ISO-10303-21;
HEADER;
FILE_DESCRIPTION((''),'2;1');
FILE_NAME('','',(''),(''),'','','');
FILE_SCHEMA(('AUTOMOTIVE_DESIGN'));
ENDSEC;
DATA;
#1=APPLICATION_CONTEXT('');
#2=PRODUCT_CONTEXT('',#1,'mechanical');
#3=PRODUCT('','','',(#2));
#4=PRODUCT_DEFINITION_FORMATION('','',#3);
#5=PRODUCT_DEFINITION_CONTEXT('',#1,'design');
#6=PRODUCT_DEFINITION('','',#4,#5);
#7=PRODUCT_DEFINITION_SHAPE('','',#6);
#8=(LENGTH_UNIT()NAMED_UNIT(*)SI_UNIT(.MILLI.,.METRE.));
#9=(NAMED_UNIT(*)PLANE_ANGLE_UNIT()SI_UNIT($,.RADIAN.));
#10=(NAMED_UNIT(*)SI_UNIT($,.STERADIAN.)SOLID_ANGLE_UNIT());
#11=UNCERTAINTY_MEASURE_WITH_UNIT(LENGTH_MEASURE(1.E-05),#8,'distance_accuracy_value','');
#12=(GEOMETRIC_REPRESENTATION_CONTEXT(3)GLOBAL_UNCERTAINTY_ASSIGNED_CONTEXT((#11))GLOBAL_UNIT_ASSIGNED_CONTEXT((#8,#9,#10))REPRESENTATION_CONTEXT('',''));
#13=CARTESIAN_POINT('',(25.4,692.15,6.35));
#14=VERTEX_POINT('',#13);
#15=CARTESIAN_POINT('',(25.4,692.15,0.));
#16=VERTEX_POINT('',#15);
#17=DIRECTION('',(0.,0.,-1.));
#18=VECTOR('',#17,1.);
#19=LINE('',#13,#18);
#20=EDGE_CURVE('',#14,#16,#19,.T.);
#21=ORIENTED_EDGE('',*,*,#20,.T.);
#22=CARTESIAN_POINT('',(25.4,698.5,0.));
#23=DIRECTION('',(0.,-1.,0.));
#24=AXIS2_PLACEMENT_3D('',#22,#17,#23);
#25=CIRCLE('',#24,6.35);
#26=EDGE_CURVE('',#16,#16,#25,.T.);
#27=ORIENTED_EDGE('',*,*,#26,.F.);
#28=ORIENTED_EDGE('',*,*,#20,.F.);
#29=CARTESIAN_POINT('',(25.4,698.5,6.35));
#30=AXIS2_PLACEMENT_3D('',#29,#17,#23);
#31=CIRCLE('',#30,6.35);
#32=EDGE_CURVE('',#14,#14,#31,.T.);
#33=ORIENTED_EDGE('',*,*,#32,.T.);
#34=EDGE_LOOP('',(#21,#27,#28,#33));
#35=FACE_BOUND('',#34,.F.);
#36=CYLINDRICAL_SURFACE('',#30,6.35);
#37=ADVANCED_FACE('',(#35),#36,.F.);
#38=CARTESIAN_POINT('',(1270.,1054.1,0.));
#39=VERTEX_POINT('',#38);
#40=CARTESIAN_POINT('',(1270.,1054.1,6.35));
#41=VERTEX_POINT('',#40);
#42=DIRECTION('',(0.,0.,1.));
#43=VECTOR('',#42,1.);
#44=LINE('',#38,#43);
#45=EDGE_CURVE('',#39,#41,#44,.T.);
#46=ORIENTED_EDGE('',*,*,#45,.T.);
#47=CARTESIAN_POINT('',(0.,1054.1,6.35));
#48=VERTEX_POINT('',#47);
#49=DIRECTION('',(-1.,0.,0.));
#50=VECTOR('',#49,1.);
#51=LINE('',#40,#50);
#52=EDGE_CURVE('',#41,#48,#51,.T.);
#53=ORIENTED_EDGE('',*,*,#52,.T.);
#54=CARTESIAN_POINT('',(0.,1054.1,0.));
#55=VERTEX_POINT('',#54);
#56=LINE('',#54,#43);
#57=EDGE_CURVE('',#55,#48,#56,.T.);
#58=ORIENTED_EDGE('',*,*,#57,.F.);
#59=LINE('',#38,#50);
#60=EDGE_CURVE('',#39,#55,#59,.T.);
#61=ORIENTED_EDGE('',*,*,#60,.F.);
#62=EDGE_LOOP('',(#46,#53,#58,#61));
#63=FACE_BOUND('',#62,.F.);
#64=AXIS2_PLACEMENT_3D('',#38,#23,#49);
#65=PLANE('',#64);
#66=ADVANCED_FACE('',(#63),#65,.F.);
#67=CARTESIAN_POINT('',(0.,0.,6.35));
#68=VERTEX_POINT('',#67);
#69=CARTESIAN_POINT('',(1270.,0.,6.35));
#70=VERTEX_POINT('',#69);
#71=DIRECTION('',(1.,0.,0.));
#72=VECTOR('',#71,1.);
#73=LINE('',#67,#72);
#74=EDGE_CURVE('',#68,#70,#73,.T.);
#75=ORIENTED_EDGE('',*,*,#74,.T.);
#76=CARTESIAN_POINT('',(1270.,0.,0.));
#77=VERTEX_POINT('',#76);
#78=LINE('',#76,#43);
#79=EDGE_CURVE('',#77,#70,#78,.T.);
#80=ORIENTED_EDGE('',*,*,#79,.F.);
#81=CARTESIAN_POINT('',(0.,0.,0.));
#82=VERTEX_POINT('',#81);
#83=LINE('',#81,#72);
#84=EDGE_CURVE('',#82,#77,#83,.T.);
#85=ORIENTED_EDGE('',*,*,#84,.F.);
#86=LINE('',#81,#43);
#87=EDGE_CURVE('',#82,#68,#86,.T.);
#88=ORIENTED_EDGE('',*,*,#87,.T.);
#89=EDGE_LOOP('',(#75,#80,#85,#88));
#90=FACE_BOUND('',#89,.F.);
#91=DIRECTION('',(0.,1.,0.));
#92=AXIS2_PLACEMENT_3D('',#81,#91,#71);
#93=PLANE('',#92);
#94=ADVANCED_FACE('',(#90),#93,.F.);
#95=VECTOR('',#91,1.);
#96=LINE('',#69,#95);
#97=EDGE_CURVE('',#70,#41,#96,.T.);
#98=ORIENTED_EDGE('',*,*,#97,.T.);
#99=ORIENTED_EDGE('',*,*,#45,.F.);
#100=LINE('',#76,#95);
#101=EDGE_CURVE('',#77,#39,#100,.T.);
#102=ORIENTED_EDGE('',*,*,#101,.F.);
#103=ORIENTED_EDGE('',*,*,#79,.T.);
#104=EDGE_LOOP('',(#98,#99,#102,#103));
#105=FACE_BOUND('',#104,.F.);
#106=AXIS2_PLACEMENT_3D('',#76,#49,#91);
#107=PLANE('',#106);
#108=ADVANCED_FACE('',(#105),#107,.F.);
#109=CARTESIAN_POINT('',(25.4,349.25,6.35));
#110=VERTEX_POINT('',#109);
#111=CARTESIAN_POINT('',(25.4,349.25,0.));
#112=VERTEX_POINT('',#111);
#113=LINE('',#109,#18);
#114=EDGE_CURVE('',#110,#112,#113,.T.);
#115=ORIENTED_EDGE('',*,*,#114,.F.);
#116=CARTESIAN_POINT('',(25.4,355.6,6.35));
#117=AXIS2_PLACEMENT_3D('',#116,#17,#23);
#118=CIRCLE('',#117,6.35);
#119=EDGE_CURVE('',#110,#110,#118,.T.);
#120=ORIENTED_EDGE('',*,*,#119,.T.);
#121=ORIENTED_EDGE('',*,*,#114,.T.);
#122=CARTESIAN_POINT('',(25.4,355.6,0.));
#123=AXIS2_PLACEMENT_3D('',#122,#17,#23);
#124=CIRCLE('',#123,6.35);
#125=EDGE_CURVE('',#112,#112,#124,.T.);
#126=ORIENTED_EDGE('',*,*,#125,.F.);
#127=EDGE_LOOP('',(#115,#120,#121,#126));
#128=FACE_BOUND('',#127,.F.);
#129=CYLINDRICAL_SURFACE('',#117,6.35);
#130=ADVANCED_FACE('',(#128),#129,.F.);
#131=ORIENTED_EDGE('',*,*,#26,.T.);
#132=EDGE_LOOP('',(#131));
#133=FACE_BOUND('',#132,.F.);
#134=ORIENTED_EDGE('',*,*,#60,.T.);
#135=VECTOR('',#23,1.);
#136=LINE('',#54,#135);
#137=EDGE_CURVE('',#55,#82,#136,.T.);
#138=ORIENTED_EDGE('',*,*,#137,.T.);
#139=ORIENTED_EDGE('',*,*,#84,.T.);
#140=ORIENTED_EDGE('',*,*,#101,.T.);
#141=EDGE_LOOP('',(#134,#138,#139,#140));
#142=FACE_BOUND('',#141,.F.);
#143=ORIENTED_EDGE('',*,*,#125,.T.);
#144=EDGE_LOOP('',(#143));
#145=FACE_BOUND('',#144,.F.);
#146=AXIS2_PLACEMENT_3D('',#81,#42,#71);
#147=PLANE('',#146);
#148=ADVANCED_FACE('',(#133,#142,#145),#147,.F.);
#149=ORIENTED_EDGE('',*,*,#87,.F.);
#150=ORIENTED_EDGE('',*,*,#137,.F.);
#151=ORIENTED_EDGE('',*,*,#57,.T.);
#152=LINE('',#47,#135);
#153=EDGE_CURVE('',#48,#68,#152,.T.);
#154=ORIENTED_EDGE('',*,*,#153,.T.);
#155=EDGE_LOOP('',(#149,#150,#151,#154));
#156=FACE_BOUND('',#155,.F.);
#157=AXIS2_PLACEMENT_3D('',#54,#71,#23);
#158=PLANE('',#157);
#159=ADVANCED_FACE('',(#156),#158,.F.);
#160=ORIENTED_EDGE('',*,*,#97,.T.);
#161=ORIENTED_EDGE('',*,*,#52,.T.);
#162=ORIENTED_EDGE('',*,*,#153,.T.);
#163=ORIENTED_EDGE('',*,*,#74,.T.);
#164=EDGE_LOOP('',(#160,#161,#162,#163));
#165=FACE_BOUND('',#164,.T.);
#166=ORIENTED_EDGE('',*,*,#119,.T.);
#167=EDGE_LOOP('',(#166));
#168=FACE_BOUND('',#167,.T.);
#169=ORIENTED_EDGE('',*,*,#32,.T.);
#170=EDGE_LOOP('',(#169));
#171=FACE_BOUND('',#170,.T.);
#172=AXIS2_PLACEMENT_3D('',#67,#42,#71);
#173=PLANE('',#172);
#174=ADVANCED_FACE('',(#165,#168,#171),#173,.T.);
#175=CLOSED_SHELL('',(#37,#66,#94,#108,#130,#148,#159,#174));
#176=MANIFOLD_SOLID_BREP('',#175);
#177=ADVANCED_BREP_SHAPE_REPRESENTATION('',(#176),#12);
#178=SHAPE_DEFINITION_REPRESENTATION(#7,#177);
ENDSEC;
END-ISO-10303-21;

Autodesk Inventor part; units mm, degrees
ref_plane "YZ Plane" through (0, 0, 0) normal (1, 0, 0) x (0, 1, 0)
ref_plane "XZ Plane" through (0, 0, 0) normal (0, 1, 0) x (-1, 0, 0)
ref_plane "XY Plane" through (0, 0, 0) normal (0, 0, 1) x (1, 0, 0)
sketch "Sketch1" plane through (0, 0, 0) normal (0, 0, 1) x (1, 0, 0)
  line L0 (0, 0) -> (1270, 0)
  line L1 (1270, 0) -> (1270, 1054.1)
  line L2 (1270, 1054.1) -> (0, 1054.1)
  line L3 (0, 1054.1) -> (0, 0)
  dimension "d0" = 1054.1
  dimension "d1" = 1270
extrude "Extrusion1" add sketch "Sketch1" along normal blind 6.35
hole "Hole1" at (25.4, 698.5, 6.35) direction (0, 0, -1) diameter 12.7 depth 25.4 tip angle 118
pattern_linear "Rectangular Pattern1" count 2 spacing 342.9 along (0, -1, 0) of "Hole1"
properties part number "GE-12055"
